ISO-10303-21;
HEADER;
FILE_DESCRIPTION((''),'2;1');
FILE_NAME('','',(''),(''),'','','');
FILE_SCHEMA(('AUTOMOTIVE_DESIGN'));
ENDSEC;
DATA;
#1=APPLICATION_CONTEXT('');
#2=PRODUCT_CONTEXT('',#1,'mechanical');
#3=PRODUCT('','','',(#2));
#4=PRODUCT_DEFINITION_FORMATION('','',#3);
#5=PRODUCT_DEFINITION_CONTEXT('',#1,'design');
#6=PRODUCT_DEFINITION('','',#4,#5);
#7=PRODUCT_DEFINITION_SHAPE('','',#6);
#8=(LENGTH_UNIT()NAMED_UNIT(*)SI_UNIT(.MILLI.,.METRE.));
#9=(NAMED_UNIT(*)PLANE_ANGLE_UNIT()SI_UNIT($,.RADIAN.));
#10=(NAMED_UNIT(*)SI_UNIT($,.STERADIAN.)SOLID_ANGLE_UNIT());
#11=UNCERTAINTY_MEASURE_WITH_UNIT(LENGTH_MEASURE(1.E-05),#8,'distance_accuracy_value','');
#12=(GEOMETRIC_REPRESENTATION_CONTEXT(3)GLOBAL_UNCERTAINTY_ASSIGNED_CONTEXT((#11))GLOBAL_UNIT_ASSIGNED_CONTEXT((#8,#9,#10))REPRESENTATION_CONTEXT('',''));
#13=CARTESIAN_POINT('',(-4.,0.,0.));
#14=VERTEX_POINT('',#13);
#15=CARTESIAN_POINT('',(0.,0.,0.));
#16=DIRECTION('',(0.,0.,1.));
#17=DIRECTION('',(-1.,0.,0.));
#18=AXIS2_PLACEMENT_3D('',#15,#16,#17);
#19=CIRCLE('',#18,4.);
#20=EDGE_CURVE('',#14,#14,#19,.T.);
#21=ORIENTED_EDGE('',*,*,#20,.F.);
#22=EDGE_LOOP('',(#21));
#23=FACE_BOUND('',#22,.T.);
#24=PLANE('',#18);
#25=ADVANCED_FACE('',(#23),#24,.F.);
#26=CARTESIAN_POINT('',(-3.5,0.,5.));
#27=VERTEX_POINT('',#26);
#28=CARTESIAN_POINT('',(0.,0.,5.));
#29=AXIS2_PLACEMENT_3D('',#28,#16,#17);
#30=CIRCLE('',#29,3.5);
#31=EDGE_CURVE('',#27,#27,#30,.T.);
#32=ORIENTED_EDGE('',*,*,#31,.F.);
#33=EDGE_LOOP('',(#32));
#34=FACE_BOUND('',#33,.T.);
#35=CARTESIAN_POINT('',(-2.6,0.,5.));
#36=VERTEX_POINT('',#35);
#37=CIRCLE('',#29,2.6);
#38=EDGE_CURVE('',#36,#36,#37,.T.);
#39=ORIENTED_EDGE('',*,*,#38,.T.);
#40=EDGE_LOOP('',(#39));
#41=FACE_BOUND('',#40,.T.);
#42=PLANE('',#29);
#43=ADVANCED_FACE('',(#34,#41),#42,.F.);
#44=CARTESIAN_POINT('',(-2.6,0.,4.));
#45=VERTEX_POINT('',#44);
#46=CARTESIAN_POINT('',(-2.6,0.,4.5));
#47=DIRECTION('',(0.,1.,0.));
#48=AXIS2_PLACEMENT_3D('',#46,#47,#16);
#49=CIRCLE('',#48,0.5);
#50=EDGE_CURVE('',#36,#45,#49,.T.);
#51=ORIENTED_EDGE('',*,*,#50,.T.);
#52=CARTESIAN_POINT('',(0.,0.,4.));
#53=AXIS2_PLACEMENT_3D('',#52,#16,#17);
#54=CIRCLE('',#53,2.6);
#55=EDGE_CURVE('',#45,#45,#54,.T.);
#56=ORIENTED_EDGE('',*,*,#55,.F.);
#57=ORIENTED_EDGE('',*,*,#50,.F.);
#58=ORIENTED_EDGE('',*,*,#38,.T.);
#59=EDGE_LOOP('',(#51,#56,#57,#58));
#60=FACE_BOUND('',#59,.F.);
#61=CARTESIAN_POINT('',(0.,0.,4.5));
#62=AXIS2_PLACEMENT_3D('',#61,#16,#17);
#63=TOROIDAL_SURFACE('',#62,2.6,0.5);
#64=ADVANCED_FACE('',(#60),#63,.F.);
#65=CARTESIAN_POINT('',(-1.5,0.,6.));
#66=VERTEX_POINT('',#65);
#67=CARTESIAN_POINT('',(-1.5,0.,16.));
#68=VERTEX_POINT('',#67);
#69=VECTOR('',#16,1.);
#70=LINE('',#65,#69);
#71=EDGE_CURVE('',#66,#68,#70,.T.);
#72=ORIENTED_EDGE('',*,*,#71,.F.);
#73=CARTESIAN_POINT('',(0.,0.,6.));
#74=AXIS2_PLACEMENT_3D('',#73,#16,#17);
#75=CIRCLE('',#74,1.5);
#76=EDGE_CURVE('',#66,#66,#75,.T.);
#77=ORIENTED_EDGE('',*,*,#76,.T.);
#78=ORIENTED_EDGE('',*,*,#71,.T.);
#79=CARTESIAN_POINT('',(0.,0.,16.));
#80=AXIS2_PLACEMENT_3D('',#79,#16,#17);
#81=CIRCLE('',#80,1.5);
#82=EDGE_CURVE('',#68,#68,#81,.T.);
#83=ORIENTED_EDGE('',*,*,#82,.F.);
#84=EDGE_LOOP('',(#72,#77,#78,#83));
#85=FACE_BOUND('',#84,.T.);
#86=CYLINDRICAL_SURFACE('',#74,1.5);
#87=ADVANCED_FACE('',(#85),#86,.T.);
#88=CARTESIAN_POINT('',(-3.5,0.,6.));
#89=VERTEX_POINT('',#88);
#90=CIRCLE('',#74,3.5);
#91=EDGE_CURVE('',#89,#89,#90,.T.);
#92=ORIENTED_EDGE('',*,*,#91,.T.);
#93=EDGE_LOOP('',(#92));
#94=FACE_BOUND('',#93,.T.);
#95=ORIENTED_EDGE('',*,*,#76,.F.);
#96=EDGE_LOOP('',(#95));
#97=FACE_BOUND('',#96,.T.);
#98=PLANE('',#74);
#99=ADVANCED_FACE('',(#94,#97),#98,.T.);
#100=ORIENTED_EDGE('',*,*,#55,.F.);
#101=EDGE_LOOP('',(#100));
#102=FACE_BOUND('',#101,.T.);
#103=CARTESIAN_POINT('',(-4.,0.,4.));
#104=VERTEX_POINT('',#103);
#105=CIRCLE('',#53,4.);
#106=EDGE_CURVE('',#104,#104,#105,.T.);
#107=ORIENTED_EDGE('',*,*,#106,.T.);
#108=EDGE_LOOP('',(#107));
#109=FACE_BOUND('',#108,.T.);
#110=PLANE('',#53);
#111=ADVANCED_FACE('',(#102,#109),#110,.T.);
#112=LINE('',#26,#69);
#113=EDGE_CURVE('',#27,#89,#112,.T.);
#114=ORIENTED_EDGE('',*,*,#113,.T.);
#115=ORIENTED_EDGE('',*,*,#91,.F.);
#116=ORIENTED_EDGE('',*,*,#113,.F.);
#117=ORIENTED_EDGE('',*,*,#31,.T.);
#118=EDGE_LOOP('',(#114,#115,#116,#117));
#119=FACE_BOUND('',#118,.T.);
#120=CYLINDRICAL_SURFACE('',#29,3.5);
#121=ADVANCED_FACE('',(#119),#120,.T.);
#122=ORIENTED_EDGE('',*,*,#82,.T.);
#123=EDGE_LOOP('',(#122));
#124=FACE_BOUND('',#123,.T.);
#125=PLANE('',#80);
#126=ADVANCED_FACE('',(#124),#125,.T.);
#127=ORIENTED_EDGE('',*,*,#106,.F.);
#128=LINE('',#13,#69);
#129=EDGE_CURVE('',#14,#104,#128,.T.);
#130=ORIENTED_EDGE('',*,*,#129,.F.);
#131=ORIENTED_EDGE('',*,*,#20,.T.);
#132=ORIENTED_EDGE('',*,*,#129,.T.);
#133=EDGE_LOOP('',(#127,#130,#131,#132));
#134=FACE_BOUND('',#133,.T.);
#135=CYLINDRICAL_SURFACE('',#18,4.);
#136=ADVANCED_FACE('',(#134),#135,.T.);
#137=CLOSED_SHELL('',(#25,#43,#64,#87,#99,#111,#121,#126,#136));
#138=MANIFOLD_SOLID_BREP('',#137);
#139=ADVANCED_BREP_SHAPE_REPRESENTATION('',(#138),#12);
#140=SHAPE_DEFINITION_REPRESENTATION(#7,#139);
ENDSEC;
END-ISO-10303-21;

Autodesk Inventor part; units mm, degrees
ref_plane "YZ Plane" through (0, 0, 0) normal (1, 0, 0) x (0, 1, 0)
ref_plane "XZ Plane" through (0, 0, 0) normal (0, 1, 0) x (-1, 0, 0)
ref_plane "XY Plane" through (0, 0, 0) normal (0, 0, 1) x (1, 0, 0)
sketch "スケッチ1" plane through (0, 0, 0) normal (0, 1, 0) x (-1, 0, 0)
  line L0 (0, 0) -> (0, 16)
  line L1 (0, 0) -> (4, 0)
  line L2 (4, 0) -> (4, 4)
  line L3 (4, 4) -> (2.6, 4)
  line L4 (2.6, 4) -> (2.6, 5) construction
  line L5 (2.6, 5) -> (3.5, 5)
  line L6 (3.5, 5) -> (3.5, 6)
  line L7 (3.5, 6) -> (1.5, 6)
  line L8 (1.5, 6) -> (1.5, 16)
  line L9 (1.5, 16) -> (0, 16)
  arc A0 (2.6, 5) -> (2.6, 4) centre (2.6, 4.5) ccw
  line L10 (2.6, 4.5) -> (2.1, 4.5) construction
  dimension "d4" = 1
  dimension "d5" = 6
  dimension "d7" = 4
  dimension "d8" = 10
  dimension "d11" = 2.1
  dimension "d12" = 3
  dimension "d13" = 8
  dimension "d14" = 7
revolve "回転1" add sketch "スケッチ1" angle 360 about axis through (0, 0, 0) along (0, 0, 1)
thread "ねじ1" size "M3x0.5" class "6g" standard "ANSI Metric M Profile" full length
properties part number "SPNFL-BRN-M3-10" material "ステンレス鋼 AISI 304"
